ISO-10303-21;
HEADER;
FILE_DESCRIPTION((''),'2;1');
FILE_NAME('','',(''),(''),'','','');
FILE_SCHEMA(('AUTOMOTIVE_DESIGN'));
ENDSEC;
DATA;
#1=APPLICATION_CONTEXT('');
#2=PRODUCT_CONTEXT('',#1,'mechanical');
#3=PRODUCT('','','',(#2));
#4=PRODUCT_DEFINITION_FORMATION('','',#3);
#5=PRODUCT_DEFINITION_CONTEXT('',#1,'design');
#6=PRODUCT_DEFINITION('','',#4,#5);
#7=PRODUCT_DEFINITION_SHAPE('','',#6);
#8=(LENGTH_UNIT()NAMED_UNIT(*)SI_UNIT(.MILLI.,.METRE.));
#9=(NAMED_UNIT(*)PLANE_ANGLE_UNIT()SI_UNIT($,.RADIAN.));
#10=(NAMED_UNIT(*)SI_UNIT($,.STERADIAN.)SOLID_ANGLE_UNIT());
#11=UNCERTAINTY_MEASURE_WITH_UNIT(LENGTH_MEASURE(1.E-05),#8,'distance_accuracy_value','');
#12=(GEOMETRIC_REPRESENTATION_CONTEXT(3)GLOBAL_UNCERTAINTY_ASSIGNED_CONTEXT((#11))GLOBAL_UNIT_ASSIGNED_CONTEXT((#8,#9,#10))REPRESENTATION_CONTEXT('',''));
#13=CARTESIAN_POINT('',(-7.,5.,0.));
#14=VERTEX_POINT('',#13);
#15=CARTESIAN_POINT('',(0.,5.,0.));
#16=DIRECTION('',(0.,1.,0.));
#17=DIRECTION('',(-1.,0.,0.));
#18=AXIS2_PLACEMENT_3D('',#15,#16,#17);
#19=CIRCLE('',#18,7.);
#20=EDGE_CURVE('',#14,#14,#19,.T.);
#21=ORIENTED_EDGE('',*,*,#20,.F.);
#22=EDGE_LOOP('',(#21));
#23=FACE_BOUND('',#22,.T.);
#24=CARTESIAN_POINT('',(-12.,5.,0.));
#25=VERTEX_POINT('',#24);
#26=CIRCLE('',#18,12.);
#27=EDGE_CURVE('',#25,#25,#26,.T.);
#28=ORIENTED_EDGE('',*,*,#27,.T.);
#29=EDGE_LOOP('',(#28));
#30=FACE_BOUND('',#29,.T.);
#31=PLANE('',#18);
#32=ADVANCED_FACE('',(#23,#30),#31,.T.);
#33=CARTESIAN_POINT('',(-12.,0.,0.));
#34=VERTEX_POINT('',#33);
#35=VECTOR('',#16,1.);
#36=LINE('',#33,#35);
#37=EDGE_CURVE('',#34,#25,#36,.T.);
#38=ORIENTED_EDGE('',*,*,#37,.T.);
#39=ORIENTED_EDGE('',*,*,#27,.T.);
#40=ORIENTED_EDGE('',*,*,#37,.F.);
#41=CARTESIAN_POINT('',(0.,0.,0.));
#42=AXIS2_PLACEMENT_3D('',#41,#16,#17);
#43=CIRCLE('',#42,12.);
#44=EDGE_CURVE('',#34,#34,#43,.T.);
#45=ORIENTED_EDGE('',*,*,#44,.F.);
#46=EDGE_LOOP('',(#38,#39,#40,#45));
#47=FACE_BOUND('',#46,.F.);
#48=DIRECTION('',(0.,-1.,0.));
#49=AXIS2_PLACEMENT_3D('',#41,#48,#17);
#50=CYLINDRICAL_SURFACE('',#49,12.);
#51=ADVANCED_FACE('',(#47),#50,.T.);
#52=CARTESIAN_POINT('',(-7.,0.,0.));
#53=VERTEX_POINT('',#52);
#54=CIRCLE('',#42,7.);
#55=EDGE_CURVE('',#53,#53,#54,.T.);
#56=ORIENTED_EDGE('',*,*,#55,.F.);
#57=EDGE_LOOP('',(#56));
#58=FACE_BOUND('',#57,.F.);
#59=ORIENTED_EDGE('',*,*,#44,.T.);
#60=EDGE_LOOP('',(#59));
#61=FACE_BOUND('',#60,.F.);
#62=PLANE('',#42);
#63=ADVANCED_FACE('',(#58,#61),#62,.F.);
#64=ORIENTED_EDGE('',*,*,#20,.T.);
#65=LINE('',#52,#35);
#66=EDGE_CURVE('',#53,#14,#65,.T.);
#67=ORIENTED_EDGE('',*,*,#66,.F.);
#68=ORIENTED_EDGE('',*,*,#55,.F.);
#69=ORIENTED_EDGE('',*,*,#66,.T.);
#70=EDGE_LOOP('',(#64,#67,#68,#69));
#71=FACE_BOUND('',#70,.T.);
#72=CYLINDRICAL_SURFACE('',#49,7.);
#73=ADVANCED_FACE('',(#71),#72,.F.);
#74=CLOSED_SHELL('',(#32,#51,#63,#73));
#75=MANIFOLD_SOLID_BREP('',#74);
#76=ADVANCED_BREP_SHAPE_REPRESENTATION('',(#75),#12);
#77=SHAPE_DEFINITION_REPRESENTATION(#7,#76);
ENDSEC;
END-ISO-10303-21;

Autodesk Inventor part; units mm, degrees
ref_plane "YZ Plane" through (0, 0, 0) normal (1, 0, 0) x (0, 1, 0)
ref_plane "XZ Plane" through (0, 0, 0) normal (0, 1, 0) x (-1, 0, 0)
ref_plane "XY Plane" through (0, 0, 0) normal (0, 0, 1) x (1, 0, 0)
sketch "Sketch1" plane through (0, 0, 0) normal (0, 1, 0) x (-1, 0, 0)
  circle A0 centre (0, 0) radius 7
  circle A1 centre (0, 0) radius 12
  dimension "d0" = 14
  dimension "d1" = 24
extrude "Extrusion1" add sketch "Sketch1" along normal blind 5
properties part number "Rodamientos"
